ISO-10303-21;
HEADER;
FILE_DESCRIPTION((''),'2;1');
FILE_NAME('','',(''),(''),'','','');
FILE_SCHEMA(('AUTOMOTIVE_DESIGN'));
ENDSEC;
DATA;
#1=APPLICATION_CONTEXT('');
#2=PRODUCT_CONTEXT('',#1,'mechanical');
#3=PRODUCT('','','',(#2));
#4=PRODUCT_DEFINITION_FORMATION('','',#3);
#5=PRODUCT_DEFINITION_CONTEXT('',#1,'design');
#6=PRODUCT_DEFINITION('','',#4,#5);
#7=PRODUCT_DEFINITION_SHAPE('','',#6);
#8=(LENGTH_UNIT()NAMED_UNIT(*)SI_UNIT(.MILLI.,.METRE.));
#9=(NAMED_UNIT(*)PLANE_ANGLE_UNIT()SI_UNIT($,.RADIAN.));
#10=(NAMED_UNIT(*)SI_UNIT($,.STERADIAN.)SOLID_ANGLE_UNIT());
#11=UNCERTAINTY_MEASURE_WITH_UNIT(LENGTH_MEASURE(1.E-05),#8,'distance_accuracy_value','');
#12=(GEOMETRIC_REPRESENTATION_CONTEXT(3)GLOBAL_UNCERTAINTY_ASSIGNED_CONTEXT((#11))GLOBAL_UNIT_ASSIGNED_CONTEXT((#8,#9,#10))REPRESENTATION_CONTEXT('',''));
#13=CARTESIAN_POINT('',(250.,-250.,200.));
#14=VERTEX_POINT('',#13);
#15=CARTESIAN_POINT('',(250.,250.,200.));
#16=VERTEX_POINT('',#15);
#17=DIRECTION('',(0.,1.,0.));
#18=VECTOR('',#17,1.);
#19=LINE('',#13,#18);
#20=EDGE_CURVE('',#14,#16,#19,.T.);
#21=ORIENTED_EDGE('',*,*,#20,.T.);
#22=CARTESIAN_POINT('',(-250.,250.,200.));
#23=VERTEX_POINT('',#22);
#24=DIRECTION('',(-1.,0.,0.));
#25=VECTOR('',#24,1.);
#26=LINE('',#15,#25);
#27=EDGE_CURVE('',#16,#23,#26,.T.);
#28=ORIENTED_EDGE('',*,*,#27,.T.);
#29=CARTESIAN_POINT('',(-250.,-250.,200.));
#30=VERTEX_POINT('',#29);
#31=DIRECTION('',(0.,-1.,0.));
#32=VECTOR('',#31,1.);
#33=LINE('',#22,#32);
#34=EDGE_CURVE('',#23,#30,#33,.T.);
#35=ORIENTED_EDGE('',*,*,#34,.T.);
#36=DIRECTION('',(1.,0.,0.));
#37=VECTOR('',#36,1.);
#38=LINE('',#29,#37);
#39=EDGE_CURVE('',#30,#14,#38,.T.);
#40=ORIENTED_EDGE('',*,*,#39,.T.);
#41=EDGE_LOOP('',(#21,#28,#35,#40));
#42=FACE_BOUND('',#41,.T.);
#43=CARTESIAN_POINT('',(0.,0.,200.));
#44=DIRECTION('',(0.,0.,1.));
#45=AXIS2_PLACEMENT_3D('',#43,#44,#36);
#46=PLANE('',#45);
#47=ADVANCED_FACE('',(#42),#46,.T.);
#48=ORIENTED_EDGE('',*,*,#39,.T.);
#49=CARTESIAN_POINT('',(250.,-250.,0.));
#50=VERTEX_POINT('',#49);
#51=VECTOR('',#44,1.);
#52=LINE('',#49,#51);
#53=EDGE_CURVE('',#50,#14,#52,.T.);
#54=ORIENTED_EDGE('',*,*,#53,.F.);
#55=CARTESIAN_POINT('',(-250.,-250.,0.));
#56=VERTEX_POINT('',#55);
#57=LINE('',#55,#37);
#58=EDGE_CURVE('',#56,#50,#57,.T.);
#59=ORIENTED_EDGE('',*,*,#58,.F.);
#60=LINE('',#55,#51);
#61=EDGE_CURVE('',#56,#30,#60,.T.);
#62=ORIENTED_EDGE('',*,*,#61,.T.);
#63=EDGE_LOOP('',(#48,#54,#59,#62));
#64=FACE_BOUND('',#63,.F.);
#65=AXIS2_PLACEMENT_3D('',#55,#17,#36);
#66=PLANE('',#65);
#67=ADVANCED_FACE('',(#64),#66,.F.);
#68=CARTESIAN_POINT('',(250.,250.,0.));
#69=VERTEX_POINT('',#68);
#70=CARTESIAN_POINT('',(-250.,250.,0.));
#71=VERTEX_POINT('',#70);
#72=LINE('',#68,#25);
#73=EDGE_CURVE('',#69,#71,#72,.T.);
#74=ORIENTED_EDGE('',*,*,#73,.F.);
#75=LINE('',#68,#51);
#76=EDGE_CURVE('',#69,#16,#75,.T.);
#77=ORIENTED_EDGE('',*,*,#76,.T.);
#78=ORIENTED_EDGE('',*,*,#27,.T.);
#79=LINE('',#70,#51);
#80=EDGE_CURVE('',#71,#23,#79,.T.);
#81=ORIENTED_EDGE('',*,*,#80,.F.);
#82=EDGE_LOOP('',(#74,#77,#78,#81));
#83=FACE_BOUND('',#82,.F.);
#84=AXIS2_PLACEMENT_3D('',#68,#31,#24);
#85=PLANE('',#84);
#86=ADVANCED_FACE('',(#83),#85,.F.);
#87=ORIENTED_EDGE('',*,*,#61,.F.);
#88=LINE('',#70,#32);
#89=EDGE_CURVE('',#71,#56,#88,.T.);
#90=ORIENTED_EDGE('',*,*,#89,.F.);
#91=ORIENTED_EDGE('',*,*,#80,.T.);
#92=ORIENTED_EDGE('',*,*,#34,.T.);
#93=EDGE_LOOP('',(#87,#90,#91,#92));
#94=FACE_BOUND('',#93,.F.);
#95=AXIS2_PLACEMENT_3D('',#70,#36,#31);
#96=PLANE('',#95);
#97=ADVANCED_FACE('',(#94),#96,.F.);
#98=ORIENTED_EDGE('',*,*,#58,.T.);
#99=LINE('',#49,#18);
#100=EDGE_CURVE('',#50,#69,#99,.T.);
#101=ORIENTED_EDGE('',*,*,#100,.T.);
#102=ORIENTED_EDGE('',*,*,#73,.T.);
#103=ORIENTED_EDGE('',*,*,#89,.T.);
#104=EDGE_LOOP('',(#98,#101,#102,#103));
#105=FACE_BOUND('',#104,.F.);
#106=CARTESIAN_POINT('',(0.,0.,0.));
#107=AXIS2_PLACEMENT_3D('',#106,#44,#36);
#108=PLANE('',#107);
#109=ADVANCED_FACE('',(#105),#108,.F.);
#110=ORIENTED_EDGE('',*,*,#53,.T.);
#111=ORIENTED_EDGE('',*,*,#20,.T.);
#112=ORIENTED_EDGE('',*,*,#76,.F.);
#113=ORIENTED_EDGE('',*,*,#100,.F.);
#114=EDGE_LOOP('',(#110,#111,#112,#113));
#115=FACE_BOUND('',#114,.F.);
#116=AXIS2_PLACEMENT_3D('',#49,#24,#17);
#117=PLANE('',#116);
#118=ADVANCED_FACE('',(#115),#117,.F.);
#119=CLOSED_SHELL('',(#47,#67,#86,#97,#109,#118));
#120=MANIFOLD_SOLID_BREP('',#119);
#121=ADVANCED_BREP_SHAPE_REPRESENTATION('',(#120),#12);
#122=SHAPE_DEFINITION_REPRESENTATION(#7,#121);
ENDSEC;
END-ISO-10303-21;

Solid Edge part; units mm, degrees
sketch "Sketch1" plane through (0, 0, 0) normal (0, 0, 1) x (1, 0, 0)
  line L0 (250, -250) -> (250, 250)
  line L1 (250, 250) -> (-250, 250)
  line L2 (-250, 250) -> (-250, -250)
  line L3 (-250, -250) -> (250, -250)
extrude "Protrusion1" add sketch "Sketch1" along normal blind 200
